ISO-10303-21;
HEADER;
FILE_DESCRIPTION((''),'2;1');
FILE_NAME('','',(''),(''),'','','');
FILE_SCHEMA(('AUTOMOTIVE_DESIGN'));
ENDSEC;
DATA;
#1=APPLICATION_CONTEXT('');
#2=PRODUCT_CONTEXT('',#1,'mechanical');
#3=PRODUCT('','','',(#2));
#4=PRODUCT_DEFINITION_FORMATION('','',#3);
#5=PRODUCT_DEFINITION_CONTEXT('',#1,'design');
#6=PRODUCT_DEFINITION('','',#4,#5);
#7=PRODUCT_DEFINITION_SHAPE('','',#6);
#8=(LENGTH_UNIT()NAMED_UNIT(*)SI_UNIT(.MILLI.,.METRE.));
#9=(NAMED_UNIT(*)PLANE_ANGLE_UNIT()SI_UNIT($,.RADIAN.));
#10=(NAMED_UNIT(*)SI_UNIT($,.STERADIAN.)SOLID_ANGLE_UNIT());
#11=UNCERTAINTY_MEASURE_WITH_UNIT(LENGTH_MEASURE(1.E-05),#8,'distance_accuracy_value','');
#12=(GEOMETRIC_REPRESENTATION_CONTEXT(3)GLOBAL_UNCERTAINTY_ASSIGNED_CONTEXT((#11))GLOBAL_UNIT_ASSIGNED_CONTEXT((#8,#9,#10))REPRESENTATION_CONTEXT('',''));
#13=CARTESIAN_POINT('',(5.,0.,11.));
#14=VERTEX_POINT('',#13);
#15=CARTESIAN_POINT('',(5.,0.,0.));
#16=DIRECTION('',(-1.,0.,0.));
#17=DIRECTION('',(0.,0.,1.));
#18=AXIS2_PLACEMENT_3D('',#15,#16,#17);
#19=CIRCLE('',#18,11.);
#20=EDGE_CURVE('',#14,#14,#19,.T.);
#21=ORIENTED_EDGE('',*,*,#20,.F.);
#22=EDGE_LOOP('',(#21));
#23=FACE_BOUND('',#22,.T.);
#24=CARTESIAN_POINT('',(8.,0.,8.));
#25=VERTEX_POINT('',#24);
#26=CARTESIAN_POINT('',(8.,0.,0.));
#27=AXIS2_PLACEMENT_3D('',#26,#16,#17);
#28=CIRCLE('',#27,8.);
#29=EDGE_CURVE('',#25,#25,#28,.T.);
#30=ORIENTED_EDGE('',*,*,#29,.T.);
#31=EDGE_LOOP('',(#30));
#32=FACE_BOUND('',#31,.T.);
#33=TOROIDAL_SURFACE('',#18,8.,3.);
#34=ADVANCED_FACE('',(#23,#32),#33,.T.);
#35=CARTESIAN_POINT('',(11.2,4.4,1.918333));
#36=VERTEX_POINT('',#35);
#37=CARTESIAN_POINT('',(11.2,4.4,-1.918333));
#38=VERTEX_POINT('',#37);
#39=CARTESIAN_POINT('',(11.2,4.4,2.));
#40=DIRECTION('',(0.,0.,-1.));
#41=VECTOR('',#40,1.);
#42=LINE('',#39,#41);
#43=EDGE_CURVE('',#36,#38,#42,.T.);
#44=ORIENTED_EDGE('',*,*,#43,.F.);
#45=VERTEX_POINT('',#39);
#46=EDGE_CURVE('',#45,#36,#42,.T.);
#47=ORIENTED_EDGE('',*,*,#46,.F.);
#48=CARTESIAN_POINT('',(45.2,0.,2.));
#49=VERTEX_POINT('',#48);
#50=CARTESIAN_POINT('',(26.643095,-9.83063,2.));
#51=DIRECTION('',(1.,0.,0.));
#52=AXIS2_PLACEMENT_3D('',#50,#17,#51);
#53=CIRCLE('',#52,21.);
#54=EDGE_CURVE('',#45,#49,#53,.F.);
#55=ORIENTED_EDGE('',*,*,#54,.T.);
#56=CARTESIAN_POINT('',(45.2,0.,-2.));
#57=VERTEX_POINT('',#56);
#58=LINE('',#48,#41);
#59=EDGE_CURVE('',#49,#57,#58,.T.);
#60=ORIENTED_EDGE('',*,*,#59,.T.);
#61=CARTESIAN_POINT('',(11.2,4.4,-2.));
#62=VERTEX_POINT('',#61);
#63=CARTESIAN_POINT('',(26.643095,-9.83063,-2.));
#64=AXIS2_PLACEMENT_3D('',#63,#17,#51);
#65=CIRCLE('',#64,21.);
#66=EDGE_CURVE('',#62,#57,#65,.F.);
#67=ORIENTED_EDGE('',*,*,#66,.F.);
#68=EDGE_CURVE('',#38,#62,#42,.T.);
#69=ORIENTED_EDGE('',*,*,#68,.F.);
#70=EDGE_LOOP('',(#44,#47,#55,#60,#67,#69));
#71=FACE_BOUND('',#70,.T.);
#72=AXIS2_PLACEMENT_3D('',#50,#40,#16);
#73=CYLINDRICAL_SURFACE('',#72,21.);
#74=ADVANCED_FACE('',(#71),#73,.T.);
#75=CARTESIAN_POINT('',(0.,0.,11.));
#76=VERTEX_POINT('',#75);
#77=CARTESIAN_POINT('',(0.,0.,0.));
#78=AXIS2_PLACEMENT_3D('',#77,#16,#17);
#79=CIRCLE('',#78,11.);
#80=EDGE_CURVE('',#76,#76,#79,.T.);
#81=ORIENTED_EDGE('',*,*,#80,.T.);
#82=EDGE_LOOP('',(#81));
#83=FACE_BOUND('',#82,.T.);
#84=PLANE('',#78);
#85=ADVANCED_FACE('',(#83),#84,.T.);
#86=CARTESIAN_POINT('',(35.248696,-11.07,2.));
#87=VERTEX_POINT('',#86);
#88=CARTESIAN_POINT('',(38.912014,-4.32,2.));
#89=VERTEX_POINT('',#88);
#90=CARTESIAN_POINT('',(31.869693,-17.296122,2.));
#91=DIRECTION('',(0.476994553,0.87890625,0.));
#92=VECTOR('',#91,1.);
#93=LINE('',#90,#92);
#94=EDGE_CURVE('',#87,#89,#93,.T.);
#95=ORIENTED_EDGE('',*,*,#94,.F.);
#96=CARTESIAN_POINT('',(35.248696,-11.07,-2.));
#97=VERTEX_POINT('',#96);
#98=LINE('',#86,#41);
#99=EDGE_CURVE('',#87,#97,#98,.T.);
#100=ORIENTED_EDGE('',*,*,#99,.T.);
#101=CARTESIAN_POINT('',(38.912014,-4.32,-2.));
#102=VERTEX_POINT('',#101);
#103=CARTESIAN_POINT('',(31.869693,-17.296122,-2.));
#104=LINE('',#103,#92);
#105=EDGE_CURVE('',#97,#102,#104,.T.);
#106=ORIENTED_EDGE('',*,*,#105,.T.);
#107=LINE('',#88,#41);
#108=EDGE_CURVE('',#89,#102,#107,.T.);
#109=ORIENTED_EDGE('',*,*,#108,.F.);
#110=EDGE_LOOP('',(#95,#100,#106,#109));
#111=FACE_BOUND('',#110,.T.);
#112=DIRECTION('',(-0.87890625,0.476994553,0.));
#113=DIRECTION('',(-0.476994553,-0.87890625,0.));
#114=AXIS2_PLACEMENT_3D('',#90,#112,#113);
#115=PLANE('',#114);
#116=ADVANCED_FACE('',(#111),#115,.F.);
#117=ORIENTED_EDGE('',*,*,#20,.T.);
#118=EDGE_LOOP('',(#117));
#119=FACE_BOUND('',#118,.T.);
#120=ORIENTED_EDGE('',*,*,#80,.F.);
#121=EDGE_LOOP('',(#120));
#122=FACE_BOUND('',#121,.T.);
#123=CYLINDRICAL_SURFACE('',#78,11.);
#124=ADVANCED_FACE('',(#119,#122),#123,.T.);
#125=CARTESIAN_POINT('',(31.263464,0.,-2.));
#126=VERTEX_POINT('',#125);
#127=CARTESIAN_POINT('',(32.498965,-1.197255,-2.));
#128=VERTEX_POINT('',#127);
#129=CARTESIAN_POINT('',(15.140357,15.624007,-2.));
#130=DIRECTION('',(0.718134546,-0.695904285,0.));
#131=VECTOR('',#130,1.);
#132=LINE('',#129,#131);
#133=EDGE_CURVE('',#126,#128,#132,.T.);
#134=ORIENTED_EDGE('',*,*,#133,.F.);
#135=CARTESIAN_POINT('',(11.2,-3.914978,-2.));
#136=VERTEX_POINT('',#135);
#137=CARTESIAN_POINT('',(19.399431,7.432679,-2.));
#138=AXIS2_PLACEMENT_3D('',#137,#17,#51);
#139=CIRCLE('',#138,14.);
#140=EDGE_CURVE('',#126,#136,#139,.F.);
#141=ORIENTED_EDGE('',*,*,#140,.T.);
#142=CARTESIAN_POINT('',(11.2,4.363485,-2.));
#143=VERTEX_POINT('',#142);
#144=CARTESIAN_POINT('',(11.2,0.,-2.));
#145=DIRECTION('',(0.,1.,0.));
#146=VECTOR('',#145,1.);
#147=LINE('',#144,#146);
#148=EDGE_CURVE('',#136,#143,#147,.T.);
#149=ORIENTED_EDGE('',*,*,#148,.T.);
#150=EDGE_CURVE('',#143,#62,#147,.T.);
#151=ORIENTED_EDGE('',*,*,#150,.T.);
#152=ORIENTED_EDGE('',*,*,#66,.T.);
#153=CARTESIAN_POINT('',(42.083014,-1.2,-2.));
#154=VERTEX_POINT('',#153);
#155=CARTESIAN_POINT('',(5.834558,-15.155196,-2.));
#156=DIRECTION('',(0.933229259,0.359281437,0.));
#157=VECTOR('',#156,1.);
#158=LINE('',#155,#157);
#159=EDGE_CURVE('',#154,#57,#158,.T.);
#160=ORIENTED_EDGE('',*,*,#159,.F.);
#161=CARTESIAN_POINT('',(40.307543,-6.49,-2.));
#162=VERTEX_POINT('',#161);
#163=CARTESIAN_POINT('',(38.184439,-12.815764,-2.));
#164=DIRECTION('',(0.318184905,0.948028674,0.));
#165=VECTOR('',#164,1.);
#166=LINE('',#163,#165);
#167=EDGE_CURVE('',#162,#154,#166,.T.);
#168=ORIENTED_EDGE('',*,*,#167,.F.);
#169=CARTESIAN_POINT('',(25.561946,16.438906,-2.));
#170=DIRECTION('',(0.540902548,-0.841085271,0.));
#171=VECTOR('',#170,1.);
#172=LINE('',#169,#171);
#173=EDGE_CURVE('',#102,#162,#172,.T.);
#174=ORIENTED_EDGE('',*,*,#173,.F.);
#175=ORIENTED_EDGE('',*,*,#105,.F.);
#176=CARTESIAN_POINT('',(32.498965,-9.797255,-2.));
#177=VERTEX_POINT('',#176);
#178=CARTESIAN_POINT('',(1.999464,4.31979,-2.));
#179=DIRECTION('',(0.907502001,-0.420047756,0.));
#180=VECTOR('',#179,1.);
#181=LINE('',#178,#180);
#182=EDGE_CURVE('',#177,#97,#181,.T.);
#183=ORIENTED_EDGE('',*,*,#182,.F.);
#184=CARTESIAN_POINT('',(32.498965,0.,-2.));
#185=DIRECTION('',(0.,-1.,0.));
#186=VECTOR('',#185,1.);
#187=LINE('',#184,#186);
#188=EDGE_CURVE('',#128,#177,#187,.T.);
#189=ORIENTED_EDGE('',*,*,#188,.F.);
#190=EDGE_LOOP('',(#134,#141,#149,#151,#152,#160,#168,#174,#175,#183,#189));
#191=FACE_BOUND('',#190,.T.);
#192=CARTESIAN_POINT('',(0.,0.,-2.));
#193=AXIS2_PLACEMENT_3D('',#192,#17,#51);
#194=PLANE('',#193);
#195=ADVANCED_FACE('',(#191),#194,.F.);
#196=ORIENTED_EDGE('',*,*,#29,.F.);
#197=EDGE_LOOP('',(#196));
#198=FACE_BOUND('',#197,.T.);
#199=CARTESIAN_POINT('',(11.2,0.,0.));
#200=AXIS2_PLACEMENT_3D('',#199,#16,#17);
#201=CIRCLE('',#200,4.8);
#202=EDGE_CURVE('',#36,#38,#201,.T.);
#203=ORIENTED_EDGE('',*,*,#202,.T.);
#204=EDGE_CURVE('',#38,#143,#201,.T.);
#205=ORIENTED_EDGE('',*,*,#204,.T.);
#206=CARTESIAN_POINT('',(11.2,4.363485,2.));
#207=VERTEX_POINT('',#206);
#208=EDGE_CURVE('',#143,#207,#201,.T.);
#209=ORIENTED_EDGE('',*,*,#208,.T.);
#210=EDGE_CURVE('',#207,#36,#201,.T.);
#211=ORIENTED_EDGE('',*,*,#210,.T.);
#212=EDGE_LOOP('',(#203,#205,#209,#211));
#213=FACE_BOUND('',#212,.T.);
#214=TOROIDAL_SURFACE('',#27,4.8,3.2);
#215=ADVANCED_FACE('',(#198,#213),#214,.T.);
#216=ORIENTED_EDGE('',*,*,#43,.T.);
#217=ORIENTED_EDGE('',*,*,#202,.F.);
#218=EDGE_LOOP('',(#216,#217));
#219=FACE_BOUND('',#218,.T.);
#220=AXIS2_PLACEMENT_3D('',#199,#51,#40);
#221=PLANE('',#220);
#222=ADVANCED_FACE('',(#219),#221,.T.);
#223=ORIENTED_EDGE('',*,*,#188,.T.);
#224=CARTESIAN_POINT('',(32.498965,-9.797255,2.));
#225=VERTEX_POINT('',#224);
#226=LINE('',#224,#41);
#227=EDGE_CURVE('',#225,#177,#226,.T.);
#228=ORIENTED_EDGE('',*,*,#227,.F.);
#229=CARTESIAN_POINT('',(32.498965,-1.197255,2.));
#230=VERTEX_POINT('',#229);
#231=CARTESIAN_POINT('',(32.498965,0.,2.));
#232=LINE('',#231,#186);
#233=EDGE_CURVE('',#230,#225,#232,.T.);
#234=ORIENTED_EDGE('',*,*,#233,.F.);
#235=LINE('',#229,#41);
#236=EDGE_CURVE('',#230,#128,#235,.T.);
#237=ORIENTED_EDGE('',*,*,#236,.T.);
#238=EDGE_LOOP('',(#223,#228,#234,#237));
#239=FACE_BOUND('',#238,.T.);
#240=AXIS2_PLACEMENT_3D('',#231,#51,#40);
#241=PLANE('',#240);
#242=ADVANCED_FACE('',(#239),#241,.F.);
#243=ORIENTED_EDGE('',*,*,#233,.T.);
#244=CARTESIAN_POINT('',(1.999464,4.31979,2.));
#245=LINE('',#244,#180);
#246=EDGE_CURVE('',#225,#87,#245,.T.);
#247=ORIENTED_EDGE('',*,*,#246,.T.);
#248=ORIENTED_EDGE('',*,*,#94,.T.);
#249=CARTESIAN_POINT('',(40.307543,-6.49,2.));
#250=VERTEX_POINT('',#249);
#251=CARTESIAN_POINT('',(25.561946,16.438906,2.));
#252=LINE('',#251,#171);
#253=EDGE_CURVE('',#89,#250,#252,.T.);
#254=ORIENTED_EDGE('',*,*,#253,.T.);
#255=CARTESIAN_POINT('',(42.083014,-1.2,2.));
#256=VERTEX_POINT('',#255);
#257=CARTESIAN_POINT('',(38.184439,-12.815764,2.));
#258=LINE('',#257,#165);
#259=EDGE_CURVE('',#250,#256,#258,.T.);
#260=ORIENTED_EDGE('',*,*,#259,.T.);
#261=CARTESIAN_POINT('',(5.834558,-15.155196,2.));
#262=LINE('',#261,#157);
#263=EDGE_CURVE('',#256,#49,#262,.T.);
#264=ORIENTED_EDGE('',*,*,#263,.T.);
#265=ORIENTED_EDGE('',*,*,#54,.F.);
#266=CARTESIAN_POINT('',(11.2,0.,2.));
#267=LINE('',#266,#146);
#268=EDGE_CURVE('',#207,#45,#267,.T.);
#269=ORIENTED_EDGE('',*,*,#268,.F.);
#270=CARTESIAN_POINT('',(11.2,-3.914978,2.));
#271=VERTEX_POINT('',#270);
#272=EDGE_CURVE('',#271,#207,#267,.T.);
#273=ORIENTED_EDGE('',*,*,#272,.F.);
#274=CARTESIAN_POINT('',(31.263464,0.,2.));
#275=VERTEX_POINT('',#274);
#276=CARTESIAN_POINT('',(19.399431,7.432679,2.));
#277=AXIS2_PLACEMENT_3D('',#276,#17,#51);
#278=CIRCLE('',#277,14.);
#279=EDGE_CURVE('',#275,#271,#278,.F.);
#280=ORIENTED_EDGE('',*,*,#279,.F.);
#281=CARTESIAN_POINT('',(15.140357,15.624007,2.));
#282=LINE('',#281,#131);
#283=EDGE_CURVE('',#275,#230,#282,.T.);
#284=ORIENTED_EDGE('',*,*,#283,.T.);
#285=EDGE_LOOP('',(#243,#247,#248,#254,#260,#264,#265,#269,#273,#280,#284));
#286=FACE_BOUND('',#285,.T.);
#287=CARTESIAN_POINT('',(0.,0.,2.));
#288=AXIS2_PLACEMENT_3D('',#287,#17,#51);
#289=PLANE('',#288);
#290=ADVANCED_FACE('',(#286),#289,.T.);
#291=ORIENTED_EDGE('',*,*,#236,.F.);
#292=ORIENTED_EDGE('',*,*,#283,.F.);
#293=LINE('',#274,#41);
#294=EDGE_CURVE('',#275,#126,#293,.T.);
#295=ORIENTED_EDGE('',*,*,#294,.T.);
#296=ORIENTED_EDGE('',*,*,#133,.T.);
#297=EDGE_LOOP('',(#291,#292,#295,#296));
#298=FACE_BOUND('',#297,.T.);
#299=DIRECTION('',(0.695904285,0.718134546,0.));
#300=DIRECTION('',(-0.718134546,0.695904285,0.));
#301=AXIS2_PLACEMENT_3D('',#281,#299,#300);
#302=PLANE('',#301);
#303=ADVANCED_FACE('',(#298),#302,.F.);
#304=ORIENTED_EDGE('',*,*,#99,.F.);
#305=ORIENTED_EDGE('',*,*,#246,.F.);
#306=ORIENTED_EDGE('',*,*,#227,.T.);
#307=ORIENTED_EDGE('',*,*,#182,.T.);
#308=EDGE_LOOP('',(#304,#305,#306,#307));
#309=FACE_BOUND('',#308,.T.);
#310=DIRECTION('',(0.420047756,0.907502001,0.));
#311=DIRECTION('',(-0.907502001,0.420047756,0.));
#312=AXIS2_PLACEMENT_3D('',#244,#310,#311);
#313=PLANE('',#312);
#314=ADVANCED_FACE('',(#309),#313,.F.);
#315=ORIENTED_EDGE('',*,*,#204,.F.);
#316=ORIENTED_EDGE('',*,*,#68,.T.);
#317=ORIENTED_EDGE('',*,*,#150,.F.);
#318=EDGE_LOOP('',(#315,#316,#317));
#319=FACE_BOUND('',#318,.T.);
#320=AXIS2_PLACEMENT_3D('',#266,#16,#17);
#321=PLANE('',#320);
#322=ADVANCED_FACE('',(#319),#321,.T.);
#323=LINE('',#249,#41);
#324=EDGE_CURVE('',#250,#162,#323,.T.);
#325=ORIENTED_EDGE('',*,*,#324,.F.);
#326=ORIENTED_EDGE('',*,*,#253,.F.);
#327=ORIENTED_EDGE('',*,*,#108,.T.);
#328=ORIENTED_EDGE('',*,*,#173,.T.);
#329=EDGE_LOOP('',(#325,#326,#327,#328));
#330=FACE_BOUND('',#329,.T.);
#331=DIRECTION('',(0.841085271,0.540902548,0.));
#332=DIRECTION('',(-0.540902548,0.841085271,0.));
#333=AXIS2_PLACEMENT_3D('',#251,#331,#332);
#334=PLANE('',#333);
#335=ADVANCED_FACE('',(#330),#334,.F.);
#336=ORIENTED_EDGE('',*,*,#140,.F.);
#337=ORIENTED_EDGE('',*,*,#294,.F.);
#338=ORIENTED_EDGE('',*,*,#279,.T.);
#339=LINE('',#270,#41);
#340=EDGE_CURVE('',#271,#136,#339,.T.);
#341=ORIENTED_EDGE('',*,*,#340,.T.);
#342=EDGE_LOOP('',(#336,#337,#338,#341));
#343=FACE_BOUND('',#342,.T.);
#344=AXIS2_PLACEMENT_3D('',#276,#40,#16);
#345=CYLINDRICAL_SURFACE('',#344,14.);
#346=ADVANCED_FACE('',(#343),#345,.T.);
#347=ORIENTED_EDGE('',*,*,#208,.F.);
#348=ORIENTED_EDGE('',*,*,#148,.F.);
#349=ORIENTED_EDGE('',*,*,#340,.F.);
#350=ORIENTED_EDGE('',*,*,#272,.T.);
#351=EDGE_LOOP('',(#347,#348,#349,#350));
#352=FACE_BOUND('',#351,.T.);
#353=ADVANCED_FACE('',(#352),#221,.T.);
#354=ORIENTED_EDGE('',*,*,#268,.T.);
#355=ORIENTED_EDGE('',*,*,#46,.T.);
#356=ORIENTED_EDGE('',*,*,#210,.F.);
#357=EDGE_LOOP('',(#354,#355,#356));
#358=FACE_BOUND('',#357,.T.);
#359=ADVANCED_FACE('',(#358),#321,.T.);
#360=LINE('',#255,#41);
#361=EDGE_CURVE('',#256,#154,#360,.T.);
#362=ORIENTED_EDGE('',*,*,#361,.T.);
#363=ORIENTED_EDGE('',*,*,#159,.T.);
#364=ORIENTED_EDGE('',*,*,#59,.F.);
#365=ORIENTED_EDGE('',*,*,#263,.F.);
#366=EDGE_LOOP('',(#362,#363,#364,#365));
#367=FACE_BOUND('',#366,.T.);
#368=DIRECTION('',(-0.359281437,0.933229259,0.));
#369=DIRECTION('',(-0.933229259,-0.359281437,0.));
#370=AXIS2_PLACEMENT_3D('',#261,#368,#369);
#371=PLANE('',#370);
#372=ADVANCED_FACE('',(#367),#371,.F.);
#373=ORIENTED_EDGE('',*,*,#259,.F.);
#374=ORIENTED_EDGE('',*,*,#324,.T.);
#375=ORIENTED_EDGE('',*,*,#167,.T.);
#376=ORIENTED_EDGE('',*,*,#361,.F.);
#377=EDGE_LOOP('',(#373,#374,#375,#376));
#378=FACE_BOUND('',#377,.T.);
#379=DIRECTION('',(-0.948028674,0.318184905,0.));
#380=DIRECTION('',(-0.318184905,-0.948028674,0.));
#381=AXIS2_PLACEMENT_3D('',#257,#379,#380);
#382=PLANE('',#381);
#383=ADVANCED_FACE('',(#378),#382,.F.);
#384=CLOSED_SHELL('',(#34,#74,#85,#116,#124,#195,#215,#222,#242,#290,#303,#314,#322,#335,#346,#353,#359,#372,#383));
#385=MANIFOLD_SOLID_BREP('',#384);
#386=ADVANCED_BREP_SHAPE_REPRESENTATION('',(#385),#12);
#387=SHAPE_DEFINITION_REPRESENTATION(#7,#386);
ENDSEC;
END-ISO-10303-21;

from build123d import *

# Parameters (mm, degrees)
EXTRUDE_2643_DEPTH = 2


with BuildPart() as part:
    # Sketch 219 → Повернуть1 (revolve)
    with BuildSketch(Plane.XY):
        with BuildLine():
            Line((0, 11), (0, 0))
            Line((0, 0), (11.2, 0))
            Line((11.2, 0), (11.2, 4.8))
            ThreePointArc((11.2, 4.8), (10.2627417, 7.0627417), (8, 8))
            ThreePointArc((8, 8), (7.121320344, 10.121320344), (5, 11))
            Line((5, 11), (0, 11))
        make_face()
    revolve(axis=Axis((0, 0, 0), (1, 0, 0)))

    # Sketch 1503 → Extrude 2643 (add, symmetric)
    with BuildSketch(Plane.XY):
        with BuildLine():
            Line((11.2, 4.4), (11.2, -3.914978255))
            ThreePointArc((11.2, -3.914978255), (22.080678837, -6.30816882), (31.263463773, 0))
            Line((31.263463773, 0), (32.498964702, -1.197255299))
            Line((32.498964702, -1.197255299), (32.498964702, -9.797255299))
            Line((32.498964702, -9.797255299), (35.248695767, -11.07))
            Line((35.248695767, -11.07), (38.912013935, -4.32))
            Line((38.912013935, -4.32), (40.307542508, -6.49))
            Line((40.307542508, -6.49), (42.083014277, -1.2))
            Line((42.083014277, -1.2), (45.2, 0))
            ThreePointArc((45.2, 0), (29.338267199, 10.995701086), (11.2, 4.4))
        make_face()
    extrude(amount=EXTRUDE_2643_DEPTH, both=True)

    # попа<16> → Повернуть2 (revolve)
    with BuildSketch(Plane.XY):
        with BuildLine():
            ThreePointArc((8, 8), (7.121320344, 10.121320344), (5, 11))
            Line((5, 11), (5, 0))
            Line((5, 0), (8, 0))
            Line((8, 0), (8, 8))
        make_face()
    revolve(axis=Axis((0, 0, 0), (1, 0, 0)))


solid = part.part
